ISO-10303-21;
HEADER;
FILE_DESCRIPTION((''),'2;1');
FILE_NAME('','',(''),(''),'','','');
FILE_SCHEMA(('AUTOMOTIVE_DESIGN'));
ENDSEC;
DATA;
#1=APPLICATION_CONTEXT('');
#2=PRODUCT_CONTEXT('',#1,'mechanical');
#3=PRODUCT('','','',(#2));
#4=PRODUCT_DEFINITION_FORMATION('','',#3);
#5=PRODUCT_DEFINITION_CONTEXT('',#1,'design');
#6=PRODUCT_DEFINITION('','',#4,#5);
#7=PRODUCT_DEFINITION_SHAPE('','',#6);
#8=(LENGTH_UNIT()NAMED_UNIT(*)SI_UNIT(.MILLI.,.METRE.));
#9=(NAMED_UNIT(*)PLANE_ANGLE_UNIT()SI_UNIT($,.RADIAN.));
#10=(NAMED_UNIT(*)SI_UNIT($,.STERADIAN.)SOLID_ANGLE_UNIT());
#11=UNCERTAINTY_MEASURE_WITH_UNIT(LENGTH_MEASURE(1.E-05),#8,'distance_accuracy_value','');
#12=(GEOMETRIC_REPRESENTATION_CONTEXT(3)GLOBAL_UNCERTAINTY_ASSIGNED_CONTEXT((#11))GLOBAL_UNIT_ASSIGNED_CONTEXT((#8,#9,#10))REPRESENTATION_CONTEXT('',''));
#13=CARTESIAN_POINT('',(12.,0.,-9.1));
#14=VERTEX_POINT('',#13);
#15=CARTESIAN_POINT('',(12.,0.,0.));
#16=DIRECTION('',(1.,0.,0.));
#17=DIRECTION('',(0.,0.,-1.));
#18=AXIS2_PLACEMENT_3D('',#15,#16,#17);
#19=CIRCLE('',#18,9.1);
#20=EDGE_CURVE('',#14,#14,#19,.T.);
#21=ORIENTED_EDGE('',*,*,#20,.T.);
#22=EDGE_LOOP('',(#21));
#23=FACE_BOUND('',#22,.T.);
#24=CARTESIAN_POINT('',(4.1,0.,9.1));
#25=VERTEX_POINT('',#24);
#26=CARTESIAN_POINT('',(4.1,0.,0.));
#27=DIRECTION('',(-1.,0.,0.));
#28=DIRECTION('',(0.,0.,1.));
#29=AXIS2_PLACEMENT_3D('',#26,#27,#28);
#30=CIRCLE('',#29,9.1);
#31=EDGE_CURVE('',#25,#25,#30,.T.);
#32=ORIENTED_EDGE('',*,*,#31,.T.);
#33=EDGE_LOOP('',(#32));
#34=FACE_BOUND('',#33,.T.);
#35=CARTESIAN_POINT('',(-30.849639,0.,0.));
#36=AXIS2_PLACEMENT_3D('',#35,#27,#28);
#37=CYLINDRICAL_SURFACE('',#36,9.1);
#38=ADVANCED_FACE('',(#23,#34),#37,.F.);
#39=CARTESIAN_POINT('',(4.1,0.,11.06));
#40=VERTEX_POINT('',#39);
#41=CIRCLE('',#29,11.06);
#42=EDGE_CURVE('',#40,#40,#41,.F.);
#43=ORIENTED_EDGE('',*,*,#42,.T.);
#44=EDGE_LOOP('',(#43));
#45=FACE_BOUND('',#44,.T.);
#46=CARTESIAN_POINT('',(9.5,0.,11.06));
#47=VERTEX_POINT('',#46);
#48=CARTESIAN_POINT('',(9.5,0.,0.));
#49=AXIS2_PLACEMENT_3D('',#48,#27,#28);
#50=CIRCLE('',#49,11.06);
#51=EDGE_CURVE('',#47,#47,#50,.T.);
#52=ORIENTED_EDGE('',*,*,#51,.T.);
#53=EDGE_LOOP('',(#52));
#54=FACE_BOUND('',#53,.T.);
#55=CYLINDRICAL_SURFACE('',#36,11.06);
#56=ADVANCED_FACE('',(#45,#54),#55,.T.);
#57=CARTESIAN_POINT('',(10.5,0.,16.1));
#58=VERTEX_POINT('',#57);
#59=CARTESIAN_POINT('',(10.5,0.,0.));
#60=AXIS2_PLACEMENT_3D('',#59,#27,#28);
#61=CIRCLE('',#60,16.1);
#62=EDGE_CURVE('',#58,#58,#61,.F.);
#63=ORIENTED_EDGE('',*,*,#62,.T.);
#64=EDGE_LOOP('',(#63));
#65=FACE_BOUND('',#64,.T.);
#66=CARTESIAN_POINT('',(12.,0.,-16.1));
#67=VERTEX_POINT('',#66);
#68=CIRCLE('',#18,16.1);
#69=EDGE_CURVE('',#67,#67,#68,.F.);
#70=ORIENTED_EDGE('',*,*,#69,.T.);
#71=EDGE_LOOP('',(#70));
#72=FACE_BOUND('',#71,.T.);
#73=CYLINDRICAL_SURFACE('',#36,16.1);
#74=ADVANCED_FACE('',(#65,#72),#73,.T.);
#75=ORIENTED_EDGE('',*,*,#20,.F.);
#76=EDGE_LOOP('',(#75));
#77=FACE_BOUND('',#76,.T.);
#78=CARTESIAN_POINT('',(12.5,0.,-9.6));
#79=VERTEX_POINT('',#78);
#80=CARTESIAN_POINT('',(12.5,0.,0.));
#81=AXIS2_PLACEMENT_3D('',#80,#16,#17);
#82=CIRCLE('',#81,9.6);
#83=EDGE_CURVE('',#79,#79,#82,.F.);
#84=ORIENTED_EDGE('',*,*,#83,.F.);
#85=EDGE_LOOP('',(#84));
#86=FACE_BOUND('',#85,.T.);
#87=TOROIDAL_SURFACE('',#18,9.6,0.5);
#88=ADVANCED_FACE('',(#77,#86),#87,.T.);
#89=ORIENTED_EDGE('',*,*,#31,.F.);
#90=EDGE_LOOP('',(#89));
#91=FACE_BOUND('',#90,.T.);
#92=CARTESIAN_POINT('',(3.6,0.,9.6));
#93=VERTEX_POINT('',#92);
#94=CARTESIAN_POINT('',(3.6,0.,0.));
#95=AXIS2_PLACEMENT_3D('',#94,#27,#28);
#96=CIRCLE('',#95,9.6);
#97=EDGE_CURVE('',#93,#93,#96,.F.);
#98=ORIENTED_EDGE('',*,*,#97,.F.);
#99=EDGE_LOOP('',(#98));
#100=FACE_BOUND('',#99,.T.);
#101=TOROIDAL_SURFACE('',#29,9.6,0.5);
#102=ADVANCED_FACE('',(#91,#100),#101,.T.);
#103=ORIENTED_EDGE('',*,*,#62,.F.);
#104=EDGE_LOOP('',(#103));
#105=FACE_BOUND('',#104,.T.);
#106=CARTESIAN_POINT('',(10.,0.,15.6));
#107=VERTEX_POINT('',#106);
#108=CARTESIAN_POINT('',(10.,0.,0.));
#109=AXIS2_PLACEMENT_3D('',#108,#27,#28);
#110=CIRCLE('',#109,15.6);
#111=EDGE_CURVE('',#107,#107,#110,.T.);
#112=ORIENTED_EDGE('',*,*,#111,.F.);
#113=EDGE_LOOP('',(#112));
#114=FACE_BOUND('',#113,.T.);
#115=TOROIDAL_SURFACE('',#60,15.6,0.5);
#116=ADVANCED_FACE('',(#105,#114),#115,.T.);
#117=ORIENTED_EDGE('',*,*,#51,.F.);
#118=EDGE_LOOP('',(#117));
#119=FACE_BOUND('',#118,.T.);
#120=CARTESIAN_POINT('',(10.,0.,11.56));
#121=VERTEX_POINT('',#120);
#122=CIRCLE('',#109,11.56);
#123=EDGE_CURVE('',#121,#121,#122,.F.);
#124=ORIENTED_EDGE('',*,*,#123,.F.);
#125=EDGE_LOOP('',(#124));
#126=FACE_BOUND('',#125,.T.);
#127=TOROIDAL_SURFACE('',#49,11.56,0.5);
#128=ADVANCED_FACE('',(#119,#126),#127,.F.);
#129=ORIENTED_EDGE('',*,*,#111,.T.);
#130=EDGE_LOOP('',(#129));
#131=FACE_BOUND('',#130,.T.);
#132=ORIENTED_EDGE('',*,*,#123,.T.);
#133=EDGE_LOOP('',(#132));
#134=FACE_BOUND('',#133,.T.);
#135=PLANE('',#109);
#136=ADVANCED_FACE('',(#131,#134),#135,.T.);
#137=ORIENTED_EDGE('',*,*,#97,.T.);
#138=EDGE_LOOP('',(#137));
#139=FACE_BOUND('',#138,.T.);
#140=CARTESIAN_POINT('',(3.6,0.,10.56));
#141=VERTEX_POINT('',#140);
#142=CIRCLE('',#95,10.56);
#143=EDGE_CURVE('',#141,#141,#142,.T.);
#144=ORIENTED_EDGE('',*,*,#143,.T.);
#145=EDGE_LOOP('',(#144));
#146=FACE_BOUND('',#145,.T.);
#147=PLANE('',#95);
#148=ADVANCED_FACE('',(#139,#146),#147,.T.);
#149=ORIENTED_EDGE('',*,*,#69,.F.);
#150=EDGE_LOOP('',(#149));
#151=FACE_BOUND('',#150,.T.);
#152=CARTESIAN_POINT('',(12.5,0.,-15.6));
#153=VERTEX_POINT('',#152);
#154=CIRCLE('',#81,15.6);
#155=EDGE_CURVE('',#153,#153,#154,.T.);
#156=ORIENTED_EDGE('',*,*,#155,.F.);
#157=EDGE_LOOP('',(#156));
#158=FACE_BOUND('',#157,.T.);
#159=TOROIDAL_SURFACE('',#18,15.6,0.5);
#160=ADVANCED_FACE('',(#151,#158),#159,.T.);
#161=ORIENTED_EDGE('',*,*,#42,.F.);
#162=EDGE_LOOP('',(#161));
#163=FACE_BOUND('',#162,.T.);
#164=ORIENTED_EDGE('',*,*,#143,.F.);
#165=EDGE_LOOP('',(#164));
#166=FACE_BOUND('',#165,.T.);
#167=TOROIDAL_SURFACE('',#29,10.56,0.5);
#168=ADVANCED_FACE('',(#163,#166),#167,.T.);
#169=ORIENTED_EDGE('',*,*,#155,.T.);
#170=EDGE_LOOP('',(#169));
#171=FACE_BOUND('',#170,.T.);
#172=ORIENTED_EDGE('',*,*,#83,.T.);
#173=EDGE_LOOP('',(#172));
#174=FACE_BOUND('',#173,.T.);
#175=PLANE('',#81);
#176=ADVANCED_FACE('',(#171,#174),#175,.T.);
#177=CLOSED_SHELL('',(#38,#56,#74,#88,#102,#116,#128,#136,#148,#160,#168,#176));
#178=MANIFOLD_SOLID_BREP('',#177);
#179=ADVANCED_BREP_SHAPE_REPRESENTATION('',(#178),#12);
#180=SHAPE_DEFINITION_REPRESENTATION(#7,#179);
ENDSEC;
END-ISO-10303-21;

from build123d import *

# Parameters (mm, degrees)
FILLET1_R = 0.5


with BuildPart() as part:
    # Sketch1 → Revolve1 (revolve)
    with BuildSketch(Plane.XY, mode=Mode.PRIVATE) as revolve1_sk:
        Polygon((12.5, 16.1), (10, 16.1), (10, 13.6), (10, 11.06), (3.6, 11.06), (3.6, 9.1), (12.5, 9.1), align=None)
    revolve(revolve1_sk.sketch.rotate(Axis((-30.849638619, 0, 0), (1, 0, 0)), 90), axis=Axis((-30.849638619, 0, 0), (1, 0, 0)))

    # Fillet1
    fillet1_edges = [part.edges().sort_by_distance(p)[0] for p in [
        (10, 0, -16.1),
        (12.5, 0, -16.1),
        (12.5, 0, -9.1),
        (3.6, 0, -9.1),
        (3.6, 0, -11.06),
        (10, 0, -11.06),
    ]]
    fillet(fillet1_edges, radius=FILLET1_R)


solid = part.part
